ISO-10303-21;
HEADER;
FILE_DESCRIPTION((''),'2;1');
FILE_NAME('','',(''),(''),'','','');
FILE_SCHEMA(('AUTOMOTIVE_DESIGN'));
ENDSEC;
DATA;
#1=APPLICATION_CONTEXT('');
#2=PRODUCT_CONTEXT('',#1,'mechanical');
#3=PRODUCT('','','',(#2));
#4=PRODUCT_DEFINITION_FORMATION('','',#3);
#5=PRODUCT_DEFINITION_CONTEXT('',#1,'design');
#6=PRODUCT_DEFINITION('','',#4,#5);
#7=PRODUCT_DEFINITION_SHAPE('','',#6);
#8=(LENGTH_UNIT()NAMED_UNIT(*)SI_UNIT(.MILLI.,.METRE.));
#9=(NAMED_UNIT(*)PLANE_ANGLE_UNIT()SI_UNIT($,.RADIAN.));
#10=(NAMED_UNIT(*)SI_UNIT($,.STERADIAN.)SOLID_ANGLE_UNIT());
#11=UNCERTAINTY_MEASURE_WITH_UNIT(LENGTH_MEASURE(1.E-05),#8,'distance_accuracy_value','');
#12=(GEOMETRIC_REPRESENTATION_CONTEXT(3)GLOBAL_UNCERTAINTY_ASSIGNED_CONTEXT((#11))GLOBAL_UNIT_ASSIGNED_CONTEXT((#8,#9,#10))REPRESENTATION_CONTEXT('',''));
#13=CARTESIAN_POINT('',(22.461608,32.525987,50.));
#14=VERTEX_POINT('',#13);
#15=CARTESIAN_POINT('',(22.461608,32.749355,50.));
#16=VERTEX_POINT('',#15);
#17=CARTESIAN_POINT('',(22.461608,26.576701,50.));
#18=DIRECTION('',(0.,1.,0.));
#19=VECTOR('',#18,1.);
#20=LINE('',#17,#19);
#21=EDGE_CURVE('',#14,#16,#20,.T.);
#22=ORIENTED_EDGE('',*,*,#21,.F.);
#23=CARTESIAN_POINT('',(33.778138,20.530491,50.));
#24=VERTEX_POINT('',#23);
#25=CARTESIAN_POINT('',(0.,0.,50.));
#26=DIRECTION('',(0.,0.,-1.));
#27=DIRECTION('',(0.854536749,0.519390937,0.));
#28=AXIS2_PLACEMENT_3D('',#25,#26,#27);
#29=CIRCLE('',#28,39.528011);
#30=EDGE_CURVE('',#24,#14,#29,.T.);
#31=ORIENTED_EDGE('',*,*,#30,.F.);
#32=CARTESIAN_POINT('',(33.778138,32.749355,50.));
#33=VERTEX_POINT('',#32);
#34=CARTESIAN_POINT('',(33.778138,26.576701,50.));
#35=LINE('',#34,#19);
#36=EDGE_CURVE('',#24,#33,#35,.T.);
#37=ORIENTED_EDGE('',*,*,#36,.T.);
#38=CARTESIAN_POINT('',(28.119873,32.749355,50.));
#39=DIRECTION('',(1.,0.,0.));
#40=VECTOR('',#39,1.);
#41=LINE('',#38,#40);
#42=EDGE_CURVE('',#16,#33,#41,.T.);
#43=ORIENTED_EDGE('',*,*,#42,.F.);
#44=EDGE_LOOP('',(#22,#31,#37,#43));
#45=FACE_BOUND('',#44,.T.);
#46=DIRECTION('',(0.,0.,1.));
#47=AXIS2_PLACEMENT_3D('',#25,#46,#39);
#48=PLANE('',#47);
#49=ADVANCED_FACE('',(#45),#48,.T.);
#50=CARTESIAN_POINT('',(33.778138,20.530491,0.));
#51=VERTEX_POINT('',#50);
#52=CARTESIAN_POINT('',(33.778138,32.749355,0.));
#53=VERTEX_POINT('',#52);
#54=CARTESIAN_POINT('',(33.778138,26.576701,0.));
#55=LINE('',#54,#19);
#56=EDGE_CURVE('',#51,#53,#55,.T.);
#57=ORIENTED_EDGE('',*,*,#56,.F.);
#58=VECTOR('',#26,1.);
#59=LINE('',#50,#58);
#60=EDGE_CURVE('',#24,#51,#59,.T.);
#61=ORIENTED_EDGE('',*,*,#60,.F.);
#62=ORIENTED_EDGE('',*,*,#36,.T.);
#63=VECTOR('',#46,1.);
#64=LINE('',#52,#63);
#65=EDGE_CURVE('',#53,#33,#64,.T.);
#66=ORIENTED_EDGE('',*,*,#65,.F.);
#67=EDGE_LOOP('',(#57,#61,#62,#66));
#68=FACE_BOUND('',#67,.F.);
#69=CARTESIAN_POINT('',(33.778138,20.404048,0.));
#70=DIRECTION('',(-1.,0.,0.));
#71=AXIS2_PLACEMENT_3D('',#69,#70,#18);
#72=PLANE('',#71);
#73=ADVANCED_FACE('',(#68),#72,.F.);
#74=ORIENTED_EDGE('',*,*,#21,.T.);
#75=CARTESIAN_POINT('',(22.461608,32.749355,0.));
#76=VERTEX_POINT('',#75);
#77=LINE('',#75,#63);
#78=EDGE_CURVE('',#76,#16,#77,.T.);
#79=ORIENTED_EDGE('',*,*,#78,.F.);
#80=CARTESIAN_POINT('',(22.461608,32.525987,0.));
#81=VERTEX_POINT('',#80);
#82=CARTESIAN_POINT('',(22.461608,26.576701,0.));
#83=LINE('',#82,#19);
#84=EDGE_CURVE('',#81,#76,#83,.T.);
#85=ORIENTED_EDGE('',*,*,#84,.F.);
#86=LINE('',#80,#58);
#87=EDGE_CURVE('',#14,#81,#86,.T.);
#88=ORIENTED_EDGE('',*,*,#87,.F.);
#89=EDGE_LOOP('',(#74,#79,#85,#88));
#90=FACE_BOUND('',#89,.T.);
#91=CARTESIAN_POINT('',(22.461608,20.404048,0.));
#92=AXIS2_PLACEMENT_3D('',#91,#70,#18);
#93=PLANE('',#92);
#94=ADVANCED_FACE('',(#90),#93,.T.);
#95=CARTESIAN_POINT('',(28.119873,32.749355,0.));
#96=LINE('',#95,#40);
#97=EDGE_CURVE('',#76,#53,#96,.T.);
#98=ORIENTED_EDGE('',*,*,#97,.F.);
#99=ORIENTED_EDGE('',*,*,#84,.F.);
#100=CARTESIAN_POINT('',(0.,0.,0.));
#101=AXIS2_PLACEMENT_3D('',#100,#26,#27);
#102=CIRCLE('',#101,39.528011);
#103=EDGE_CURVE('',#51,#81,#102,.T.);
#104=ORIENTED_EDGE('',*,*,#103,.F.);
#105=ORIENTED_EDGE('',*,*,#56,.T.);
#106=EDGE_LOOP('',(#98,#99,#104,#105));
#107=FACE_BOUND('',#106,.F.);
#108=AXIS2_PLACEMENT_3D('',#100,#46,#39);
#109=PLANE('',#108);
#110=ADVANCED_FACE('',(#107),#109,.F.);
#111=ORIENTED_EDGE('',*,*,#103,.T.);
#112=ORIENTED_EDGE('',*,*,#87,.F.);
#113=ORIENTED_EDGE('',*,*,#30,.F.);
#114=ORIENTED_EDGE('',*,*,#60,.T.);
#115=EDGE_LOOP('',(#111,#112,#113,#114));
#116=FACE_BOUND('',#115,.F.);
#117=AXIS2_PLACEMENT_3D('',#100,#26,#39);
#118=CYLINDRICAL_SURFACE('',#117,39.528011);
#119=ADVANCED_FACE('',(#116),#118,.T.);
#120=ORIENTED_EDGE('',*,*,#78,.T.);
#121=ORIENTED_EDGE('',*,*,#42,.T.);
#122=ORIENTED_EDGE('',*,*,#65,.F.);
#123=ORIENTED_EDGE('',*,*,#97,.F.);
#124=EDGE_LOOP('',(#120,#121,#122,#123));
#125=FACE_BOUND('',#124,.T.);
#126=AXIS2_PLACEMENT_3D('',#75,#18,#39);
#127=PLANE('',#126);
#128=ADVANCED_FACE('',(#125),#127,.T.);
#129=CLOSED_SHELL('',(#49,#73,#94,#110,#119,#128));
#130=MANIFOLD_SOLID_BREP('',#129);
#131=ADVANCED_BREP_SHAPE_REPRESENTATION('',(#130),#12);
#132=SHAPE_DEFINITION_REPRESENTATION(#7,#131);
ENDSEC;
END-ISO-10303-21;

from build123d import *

# Parameters (mm, degrees)
F0_R     = 39.528011
F1_DEPTH = 50
F2_W     = 11.31653
F2_H     = 12.345307
F3_DEPTH = 50


with BuildPart() as f1:
    # F0 (on Top) → F1 (new body)
    with BuildSketch(Plane.XY):
        Circle(F0_R)
    extrude(amount=F1_DEPTH)

    # F2 (on Top) → F3 (join)
    with BuildSketch(Plane.XY):
        with Locations((28.119873, 26.576701)):
            Rectangle(F2_W, F2_H)
    extrude(amount=F3_DEPTH)


solid = f1.part
